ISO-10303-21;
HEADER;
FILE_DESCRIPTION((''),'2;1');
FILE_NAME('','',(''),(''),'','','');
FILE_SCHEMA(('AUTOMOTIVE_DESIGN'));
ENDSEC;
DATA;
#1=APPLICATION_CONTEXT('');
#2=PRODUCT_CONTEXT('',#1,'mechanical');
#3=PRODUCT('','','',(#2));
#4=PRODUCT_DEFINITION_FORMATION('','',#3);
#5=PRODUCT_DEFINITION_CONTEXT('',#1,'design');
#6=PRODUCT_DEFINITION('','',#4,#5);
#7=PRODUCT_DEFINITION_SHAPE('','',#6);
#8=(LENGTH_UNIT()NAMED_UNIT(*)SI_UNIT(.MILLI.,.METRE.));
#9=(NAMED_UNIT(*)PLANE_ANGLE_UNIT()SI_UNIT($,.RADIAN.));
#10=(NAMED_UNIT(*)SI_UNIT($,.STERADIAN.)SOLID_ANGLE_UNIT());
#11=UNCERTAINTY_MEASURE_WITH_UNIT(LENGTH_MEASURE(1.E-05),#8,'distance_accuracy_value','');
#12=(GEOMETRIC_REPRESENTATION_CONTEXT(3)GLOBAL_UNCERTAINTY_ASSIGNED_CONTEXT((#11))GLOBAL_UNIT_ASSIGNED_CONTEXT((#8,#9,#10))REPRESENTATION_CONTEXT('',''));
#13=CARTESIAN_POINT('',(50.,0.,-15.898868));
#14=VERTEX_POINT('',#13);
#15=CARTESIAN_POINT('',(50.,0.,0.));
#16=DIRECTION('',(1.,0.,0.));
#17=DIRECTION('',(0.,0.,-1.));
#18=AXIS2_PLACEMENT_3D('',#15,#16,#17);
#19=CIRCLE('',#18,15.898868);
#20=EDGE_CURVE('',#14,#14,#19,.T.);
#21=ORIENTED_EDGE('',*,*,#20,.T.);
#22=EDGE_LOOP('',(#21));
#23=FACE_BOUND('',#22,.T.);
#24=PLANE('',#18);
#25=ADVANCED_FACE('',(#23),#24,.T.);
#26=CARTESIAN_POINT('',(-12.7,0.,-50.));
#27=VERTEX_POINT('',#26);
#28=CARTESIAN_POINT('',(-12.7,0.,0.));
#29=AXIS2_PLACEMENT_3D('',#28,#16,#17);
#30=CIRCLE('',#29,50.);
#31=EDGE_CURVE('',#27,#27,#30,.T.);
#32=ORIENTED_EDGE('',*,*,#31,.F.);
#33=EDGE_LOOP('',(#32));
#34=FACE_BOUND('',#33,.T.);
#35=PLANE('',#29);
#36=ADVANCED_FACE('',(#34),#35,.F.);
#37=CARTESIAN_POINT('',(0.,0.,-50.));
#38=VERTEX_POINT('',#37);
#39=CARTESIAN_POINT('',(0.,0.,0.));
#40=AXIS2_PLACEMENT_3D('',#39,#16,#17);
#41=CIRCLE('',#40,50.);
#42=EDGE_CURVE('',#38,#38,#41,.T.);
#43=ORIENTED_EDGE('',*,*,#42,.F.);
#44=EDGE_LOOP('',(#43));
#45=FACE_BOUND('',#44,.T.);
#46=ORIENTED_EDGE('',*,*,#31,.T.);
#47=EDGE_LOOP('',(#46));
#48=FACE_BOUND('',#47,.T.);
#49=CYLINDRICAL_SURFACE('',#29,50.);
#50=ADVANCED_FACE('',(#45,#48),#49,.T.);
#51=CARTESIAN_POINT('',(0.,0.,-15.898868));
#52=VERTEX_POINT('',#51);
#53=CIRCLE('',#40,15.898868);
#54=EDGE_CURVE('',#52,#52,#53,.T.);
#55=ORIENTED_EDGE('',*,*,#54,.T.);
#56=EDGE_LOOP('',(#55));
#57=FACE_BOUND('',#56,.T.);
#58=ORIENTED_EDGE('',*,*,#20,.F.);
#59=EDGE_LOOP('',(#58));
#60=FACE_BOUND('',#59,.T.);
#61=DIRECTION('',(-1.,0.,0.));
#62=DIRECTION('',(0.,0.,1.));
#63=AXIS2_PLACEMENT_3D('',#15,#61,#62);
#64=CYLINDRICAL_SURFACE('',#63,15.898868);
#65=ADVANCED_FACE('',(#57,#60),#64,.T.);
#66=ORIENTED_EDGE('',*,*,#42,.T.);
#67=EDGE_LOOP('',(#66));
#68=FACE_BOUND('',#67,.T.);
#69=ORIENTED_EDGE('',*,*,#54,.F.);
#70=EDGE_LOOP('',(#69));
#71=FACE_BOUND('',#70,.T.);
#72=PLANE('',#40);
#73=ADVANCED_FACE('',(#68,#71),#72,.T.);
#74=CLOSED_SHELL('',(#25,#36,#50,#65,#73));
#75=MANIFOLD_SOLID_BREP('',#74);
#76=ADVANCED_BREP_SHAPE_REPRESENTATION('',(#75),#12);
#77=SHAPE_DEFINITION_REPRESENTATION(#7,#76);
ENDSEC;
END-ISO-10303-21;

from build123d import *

# Parameters (mm, degrees)
SKETCH1_R           = 50
BOSS_EXTRUDE1_DEPTH = 12.7
SKETCH3_R           = 15.898868478
BOSS_EXTRUDE2_DEPTH = 50


with BuildPart() as part:
    # Sketch1 → Boss-Extrude1 (new body)
    with BuildSketch(Plane.YZ):
        with Locations(Location((0, 0, 0), (0, 0, 270))):
            Circle(SKETCH1_R)
    extrude(amount=-BOSS_EXTRUDE1_DEPTH)

    # Sketch3 → Boss-Extrude2 (add)
    with BuildSketch(Plane(origin=(0, 0, 0), x_dir=(0, 0, -1), z_dir=(1, 0, 0))):
        Circle(SKETCH3_R)
    extrude(amount=BOSS_EXTRUDE2_DEPTH)


solid = part.part
